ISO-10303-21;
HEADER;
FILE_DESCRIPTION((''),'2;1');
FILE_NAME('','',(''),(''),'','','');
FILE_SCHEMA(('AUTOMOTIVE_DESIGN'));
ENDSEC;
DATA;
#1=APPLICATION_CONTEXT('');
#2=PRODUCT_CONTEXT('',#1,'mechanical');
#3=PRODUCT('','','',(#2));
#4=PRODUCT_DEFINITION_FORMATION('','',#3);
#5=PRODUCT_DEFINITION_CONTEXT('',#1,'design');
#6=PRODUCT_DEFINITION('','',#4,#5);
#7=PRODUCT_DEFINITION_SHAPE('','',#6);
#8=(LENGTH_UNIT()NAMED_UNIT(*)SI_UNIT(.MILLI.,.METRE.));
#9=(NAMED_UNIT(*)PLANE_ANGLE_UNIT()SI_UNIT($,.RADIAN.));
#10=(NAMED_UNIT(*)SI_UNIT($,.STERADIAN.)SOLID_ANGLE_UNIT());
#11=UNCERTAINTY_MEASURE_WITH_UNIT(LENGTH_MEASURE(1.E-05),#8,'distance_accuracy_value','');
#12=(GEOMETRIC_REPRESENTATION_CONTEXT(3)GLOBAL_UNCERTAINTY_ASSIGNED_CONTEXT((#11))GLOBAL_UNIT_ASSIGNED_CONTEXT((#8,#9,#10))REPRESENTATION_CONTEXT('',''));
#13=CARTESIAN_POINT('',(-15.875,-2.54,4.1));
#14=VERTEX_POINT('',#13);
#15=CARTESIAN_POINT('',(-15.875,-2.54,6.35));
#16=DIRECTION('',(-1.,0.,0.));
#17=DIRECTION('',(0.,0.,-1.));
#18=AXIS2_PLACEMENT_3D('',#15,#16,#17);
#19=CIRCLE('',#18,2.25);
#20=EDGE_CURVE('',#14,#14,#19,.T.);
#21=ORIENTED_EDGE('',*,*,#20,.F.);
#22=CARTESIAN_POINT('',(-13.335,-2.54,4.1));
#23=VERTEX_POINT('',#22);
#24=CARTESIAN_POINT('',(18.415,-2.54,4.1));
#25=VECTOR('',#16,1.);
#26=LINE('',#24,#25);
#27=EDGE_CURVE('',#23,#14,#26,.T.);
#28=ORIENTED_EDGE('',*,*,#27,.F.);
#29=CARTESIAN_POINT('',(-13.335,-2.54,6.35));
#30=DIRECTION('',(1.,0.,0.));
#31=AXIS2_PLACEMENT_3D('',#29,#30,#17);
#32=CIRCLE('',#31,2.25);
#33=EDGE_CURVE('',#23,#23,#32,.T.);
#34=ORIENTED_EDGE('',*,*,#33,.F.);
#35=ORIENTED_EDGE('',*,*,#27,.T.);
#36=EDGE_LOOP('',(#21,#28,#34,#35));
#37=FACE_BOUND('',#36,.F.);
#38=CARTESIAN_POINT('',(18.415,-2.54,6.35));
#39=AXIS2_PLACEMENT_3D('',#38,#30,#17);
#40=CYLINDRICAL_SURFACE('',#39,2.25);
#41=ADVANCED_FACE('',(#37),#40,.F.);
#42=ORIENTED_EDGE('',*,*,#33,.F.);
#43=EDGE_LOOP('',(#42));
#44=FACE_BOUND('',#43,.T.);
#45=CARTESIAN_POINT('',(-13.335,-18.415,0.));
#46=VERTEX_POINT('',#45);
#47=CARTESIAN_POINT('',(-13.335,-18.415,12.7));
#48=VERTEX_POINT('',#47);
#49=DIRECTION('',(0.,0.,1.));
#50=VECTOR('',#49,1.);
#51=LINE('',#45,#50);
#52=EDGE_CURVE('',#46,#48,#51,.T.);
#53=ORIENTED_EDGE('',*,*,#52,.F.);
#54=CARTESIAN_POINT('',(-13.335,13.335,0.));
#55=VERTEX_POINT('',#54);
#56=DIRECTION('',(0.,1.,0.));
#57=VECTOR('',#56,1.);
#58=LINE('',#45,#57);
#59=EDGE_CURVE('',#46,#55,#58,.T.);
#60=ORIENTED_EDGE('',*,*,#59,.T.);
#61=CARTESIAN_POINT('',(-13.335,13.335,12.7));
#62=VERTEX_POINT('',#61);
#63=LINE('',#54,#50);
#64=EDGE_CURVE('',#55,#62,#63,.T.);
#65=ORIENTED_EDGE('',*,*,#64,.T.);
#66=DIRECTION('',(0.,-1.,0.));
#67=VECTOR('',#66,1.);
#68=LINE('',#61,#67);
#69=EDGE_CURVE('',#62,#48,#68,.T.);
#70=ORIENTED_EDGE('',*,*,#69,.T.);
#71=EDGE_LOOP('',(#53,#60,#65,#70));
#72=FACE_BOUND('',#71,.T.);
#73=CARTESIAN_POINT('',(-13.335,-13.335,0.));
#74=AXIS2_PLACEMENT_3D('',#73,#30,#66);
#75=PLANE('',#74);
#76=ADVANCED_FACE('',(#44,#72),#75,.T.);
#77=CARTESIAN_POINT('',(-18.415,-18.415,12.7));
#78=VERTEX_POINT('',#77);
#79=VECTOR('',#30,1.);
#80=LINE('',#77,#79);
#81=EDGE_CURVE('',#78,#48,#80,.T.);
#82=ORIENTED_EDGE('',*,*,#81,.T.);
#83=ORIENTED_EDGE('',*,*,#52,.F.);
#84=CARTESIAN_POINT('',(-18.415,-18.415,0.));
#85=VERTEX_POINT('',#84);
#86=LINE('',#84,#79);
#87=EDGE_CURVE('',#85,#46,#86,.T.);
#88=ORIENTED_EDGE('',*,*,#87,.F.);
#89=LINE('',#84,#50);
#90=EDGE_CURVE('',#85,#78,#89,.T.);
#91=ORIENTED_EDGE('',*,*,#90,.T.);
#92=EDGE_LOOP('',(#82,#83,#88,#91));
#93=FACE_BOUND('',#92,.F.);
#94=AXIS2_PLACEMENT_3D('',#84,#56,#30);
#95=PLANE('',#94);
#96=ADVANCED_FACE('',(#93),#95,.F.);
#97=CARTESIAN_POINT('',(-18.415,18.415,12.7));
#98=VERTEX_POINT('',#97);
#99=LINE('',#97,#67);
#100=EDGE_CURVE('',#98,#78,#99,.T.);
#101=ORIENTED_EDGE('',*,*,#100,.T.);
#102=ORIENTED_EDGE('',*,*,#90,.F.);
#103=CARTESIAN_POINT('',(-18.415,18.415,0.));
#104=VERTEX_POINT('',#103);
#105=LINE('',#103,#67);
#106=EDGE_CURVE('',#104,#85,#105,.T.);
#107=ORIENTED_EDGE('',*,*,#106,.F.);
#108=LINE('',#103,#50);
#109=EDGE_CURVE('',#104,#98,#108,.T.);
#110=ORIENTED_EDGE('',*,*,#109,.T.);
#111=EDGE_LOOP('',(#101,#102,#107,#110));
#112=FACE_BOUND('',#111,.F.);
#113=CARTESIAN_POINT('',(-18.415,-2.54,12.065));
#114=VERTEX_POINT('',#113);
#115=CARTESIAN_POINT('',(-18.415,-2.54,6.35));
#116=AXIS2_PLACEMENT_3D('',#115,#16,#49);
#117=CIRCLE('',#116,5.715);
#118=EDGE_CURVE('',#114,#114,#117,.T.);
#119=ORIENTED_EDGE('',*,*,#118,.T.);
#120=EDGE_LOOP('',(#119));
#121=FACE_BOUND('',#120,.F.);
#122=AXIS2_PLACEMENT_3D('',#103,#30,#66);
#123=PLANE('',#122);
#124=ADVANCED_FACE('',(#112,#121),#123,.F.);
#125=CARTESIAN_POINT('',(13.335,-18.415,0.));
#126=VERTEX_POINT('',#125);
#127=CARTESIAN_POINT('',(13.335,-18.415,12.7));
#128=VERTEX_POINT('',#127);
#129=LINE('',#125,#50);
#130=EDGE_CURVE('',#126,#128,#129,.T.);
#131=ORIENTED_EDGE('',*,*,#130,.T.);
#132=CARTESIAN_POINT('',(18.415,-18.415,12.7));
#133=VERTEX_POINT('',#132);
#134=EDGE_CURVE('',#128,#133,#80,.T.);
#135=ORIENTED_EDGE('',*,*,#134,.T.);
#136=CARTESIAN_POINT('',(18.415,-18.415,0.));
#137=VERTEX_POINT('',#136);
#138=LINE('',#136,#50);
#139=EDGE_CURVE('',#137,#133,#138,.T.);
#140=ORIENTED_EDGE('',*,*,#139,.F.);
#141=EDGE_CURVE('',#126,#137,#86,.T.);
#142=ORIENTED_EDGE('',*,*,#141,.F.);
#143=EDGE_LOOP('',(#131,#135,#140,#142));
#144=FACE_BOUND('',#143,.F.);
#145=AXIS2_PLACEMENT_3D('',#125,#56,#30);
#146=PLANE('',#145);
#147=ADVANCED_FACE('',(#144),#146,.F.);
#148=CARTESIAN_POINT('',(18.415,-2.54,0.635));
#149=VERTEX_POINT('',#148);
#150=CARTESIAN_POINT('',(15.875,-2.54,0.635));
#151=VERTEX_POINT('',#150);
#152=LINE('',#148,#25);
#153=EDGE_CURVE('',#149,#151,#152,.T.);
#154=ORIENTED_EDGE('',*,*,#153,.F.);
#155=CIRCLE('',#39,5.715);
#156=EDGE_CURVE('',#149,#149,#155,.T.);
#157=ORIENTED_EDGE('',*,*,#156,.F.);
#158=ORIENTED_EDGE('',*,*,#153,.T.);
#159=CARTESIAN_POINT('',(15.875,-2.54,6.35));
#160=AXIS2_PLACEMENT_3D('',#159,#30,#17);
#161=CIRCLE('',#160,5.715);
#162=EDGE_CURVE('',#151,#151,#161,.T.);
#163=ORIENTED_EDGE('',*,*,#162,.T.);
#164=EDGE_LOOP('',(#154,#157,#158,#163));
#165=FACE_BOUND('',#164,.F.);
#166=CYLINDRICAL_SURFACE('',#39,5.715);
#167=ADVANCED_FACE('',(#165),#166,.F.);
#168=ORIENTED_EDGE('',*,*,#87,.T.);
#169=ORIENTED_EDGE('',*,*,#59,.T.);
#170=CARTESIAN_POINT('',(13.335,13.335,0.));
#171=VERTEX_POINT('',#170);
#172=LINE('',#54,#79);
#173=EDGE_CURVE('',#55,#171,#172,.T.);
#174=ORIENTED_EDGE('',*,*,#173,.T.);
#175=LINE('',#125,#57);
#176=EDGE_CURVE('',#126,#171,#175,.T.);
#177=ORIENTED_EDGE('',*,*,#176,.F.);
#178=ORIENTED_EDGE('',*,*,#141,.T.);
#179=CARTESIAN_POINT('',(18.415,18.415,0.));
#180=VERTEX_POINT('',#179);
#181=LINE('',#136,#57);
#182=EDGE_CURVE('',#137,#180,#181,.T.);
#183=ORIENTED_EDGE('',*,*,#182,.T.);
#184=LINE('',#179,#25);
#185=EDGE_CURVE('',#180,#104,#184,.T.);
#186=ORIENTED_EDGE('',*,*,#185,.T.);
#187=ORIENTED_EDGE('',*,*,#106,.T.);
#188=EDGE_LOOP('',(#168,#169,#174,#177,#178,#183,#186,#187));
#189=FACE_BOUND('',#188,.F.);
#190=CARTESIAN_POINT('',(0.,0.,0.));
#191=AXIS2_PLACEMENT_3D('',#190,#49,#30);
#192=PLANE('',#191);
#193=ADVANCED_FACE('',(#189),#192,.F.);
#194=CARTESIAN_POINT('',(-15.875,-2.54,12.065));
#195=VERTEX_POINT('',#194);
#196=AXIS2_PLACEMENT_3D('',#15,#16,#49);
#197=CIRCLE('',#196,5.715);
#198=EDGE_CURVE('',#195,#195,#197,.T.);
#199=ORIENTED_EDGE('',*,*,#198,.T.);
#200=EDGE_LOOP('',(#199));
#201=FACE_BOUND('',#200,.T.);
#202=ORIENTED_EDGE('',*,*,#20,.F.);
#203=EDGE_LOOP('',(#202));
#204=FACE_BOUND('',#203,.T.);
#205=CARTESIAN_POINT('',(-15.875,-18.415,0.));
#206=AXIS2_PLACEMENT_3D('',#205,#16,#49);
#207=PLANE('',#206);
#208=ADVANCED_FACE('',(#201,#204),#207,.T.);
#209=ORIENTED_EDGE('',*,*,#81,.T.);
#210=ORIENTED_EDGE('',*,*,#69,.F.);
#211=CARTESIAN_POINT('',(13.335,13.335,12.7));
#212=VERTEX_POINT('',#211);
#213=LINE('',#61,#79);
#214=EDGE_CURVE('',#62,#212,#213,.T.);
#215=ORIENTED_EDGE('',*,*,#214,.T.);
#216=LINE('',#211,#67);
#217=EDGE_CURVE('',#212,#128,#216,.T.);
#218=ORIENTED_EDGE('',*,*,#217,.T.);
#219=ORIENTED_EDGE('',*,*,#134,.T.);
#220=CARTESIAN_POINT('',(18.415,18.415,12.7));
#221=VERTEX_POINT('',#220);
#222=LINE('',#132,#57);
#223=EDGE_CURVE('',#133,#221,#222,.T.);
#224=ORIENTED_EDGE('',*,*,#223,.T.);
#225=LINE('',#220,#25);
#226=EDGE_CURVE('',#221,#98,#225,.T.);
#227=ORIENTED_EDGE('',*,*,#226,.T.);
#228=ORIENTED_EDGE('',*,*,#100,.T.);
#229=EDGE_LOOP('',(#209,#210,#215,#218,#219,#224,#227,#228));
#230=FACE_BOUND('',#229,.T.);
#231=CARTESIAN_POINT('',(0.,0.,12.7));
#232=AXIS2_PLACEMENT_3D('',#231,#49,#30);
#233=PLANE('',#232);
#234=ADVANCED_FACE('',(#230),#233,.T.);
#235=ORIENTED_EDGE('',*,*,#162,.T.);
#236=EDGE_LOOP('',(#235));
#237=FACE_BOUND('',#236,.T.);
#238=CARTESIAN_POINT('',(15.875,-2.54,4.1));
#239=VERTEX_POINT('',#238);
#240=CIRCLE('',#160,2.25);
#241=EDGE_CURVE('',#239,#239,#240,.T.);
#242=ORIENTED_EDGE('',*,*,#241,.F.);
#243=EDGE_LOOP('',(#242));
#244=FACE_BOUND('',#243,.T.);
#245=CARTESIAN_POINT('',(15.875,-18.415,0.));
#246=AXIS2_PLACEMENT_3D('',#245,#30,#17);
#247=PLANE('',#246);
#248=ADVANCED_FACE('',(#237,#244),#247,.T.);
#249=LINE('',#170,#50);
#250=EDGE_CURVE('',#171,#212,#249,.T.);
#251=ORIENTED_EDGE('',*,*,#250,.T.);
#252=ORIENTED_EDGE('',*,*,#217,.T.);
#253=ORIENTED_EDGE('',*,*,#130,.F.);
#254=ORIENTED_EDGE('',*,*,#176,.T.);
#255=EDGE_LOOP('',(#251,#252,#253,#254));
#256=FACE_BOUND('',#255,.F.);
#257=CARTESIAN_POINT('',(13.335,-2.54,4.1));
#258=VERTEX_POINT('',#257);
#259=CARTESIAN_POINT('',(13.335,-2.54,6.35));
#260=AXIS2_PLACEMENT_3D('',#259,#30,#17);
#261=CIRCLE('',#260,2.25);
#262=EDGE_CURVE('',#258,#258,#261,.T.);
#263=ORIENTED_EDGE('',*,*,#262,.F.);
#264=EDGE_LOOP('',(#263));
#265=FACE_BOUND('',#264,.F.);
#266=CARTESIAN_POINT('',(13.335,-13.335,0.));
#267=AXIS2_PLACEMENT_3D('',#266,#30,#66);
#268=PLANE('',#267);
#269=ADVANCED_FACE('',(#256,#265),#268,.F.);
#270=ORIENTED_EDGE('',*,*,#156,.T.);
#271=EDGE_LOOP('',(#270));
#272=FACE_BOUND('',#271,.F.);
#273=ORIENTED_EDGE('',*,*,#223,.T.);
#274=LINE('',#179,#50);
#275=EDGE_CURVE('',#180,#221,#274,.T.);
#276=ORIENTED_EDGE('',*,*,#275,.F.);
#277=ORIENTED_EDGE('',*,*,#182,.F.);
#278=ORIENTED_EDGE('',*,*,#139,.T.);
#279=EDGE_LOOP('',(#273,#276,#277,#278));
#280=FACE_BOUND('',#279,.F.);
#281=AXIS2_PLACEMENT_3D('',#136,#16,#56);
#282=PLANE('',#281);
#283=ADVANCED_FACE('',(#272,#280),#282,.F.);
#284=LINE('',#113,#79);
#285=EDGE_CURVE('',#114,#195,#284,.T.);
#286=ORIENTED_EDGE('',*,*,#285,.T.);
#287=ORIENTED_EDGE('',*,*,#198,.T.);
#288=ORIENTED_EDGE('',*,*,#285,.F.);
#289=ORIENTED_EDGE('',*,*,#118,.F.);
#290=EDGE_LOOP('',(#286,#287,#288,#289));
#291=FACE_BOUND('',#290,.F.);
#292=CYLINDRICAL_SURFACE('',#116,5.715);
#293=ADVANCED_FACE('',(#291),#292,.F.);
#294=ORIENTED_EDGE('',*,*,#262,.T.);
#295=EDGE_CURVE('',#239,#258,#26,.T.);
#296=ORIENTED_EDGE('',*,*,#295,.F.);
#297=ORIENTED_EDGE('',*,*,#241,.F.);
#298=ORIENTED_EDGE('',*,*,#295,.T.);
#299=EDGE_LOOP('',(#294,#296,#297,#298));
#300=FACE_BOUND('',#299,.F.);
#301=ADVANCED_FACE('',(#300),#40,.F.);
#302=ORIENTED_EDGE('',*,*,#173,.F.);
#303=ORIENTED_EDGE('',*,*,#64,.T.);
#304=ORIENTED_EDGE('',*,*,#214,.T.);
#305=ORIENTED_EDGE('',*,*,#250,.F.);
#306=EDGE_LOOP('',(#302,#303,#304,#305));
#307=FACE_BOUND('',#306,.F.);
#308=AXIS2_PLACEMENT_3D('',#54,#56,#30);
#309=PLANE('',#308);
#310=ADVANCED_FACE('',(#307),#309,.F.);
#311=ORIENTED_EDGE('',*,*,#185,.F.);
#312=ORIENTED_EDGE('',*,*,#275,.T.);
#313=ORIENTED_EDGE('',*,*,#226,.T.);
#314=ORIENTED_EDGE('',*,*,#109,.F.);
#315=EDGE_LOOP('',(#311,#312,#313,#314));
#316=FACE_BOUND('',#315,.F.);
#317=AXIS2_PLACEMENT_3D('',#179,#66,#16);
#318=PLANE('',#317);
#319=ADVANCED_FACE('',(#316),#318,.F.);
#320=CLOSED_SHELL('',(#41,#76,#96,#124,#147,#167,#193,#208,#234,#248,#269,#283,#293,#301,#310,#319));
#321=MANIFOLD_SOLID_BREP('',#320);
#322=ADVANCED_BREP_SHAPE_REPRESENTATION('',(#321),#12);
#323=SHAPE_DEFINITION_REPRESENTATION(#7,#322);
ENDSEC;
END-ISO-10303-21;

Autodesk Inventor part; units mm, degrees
ref_plane "YZ Plane" through (0, 0, 0) normal (1, 0, 0) x (0, 1, 0)
ref_plane "XZ Plane" through (0, 0, 0) normal (0, 1, 0) x (-1, 0, 0)
ref_plane "XY Plane" through (0, 0, 0) normal (0, 0, 1) x (1, 0, 0)
sketch "Sketch1" plane through (0, 0, 0) normal (0, 0, 1) x (1, 0, 0)
  line L0 (13.335, -13.335) -> (-13.335, -13.335) construction
  line L1 (-13.335, -13.335) -> (-13.335, 13.335)
  line L2 (-13.335, 13.335) -> (13.335, 13.335)
  line L3 (13.335, 13.335) -> (13.335, -13.335)
  line L4 (13.335, -13.335) -> (-13.335, 13.335) construction
  line L5 (-13.335, -13.335) -> (13.335, 13.335) construction
  line L6 (18.415, 18.415) -> (-18.415, 18.415)
  line L7 (-18.415, 18.415) -> (-18.415, -18.415)
  line L8 (-18.415, -18.415) -> (18.415, -18.415)
  line L9 (18.415, -18.415) -> (18.415, 18.415)
  line L10 (-13.335, -13.335) -> (-13.335, -18.415)
  line L11 (13.335, -13.335) -> (13.335, -18.415)
  point P0 (0, 0)
  dimension "d0" = 26.67
  dimension "d1" = 26.67
  dimension "d2" = 5.08
extrude "Extrusion1" add sketch "Sketch1" along normal blind 12.7 contours L10 L8 L7 L6 L9 L11 L3 L2 L1
sketch "Sketch2" plane through (18.415, -18.415, 0) normal (1, 0, 0) x (0, 0, -1)
  line L0 (0, 0) -> (0, 36.83) projected
  line L1 (0, 36.83) -> (-12.7, 36.83) projected
  line L2 (-12.7, 0) -> (-12.7, 36.83) projected
  line L3 (0, 0) -> (-12.7, 0) projected
  line L4 (0, 36.83) -> (-12.7, 36.83) construction
  line L5 (-6.35, 36.83) -> (-6.35, 0) construction
  line L6 (0, 0) -> (-12.7, 0) construction
  line L7 (0, 31.75) -> (-12.7, 31.75) construction
  line L8 (-12.7, 0) -> (-12.7, 31.75) construction
  line L9 (-12.7, 15.875) -> (0, 15.875) construction
  line L10 (0, 0) -> (0, 31.75) construction
  circle A0 centre (-6.35, 15.875) radius 2.25
  circle A1 centre (-6.35, 15.875) radius 5.715
  point P0 (0, 18.415)
  dimension "d5" = 4.5
  dimension "d6" = 11.43
extrude "Extrusion2" cut sketch "Sketch2" against normal through all contours A0
extrude "Extrusion3" cut sketch "Sketch2" against normal blind 2.54 contours A1
sketch "Sketch3" plane through (-18.415, -18.415, 0) normal (-1, 0, 0) x (0, 0, 1)
  circle A0 centre (6.35, 15.875) radius 2.25 projected
  circle A1 centre (6.35, 15.875) radius 5.715
  point P0 (0, 18.415)
  dimension "d11" = 11.43
extrude "Extrusion4" cut sketch "Sketch3" against normal blind 2.54
properties part number "Inner_Tube_Endcap2"
